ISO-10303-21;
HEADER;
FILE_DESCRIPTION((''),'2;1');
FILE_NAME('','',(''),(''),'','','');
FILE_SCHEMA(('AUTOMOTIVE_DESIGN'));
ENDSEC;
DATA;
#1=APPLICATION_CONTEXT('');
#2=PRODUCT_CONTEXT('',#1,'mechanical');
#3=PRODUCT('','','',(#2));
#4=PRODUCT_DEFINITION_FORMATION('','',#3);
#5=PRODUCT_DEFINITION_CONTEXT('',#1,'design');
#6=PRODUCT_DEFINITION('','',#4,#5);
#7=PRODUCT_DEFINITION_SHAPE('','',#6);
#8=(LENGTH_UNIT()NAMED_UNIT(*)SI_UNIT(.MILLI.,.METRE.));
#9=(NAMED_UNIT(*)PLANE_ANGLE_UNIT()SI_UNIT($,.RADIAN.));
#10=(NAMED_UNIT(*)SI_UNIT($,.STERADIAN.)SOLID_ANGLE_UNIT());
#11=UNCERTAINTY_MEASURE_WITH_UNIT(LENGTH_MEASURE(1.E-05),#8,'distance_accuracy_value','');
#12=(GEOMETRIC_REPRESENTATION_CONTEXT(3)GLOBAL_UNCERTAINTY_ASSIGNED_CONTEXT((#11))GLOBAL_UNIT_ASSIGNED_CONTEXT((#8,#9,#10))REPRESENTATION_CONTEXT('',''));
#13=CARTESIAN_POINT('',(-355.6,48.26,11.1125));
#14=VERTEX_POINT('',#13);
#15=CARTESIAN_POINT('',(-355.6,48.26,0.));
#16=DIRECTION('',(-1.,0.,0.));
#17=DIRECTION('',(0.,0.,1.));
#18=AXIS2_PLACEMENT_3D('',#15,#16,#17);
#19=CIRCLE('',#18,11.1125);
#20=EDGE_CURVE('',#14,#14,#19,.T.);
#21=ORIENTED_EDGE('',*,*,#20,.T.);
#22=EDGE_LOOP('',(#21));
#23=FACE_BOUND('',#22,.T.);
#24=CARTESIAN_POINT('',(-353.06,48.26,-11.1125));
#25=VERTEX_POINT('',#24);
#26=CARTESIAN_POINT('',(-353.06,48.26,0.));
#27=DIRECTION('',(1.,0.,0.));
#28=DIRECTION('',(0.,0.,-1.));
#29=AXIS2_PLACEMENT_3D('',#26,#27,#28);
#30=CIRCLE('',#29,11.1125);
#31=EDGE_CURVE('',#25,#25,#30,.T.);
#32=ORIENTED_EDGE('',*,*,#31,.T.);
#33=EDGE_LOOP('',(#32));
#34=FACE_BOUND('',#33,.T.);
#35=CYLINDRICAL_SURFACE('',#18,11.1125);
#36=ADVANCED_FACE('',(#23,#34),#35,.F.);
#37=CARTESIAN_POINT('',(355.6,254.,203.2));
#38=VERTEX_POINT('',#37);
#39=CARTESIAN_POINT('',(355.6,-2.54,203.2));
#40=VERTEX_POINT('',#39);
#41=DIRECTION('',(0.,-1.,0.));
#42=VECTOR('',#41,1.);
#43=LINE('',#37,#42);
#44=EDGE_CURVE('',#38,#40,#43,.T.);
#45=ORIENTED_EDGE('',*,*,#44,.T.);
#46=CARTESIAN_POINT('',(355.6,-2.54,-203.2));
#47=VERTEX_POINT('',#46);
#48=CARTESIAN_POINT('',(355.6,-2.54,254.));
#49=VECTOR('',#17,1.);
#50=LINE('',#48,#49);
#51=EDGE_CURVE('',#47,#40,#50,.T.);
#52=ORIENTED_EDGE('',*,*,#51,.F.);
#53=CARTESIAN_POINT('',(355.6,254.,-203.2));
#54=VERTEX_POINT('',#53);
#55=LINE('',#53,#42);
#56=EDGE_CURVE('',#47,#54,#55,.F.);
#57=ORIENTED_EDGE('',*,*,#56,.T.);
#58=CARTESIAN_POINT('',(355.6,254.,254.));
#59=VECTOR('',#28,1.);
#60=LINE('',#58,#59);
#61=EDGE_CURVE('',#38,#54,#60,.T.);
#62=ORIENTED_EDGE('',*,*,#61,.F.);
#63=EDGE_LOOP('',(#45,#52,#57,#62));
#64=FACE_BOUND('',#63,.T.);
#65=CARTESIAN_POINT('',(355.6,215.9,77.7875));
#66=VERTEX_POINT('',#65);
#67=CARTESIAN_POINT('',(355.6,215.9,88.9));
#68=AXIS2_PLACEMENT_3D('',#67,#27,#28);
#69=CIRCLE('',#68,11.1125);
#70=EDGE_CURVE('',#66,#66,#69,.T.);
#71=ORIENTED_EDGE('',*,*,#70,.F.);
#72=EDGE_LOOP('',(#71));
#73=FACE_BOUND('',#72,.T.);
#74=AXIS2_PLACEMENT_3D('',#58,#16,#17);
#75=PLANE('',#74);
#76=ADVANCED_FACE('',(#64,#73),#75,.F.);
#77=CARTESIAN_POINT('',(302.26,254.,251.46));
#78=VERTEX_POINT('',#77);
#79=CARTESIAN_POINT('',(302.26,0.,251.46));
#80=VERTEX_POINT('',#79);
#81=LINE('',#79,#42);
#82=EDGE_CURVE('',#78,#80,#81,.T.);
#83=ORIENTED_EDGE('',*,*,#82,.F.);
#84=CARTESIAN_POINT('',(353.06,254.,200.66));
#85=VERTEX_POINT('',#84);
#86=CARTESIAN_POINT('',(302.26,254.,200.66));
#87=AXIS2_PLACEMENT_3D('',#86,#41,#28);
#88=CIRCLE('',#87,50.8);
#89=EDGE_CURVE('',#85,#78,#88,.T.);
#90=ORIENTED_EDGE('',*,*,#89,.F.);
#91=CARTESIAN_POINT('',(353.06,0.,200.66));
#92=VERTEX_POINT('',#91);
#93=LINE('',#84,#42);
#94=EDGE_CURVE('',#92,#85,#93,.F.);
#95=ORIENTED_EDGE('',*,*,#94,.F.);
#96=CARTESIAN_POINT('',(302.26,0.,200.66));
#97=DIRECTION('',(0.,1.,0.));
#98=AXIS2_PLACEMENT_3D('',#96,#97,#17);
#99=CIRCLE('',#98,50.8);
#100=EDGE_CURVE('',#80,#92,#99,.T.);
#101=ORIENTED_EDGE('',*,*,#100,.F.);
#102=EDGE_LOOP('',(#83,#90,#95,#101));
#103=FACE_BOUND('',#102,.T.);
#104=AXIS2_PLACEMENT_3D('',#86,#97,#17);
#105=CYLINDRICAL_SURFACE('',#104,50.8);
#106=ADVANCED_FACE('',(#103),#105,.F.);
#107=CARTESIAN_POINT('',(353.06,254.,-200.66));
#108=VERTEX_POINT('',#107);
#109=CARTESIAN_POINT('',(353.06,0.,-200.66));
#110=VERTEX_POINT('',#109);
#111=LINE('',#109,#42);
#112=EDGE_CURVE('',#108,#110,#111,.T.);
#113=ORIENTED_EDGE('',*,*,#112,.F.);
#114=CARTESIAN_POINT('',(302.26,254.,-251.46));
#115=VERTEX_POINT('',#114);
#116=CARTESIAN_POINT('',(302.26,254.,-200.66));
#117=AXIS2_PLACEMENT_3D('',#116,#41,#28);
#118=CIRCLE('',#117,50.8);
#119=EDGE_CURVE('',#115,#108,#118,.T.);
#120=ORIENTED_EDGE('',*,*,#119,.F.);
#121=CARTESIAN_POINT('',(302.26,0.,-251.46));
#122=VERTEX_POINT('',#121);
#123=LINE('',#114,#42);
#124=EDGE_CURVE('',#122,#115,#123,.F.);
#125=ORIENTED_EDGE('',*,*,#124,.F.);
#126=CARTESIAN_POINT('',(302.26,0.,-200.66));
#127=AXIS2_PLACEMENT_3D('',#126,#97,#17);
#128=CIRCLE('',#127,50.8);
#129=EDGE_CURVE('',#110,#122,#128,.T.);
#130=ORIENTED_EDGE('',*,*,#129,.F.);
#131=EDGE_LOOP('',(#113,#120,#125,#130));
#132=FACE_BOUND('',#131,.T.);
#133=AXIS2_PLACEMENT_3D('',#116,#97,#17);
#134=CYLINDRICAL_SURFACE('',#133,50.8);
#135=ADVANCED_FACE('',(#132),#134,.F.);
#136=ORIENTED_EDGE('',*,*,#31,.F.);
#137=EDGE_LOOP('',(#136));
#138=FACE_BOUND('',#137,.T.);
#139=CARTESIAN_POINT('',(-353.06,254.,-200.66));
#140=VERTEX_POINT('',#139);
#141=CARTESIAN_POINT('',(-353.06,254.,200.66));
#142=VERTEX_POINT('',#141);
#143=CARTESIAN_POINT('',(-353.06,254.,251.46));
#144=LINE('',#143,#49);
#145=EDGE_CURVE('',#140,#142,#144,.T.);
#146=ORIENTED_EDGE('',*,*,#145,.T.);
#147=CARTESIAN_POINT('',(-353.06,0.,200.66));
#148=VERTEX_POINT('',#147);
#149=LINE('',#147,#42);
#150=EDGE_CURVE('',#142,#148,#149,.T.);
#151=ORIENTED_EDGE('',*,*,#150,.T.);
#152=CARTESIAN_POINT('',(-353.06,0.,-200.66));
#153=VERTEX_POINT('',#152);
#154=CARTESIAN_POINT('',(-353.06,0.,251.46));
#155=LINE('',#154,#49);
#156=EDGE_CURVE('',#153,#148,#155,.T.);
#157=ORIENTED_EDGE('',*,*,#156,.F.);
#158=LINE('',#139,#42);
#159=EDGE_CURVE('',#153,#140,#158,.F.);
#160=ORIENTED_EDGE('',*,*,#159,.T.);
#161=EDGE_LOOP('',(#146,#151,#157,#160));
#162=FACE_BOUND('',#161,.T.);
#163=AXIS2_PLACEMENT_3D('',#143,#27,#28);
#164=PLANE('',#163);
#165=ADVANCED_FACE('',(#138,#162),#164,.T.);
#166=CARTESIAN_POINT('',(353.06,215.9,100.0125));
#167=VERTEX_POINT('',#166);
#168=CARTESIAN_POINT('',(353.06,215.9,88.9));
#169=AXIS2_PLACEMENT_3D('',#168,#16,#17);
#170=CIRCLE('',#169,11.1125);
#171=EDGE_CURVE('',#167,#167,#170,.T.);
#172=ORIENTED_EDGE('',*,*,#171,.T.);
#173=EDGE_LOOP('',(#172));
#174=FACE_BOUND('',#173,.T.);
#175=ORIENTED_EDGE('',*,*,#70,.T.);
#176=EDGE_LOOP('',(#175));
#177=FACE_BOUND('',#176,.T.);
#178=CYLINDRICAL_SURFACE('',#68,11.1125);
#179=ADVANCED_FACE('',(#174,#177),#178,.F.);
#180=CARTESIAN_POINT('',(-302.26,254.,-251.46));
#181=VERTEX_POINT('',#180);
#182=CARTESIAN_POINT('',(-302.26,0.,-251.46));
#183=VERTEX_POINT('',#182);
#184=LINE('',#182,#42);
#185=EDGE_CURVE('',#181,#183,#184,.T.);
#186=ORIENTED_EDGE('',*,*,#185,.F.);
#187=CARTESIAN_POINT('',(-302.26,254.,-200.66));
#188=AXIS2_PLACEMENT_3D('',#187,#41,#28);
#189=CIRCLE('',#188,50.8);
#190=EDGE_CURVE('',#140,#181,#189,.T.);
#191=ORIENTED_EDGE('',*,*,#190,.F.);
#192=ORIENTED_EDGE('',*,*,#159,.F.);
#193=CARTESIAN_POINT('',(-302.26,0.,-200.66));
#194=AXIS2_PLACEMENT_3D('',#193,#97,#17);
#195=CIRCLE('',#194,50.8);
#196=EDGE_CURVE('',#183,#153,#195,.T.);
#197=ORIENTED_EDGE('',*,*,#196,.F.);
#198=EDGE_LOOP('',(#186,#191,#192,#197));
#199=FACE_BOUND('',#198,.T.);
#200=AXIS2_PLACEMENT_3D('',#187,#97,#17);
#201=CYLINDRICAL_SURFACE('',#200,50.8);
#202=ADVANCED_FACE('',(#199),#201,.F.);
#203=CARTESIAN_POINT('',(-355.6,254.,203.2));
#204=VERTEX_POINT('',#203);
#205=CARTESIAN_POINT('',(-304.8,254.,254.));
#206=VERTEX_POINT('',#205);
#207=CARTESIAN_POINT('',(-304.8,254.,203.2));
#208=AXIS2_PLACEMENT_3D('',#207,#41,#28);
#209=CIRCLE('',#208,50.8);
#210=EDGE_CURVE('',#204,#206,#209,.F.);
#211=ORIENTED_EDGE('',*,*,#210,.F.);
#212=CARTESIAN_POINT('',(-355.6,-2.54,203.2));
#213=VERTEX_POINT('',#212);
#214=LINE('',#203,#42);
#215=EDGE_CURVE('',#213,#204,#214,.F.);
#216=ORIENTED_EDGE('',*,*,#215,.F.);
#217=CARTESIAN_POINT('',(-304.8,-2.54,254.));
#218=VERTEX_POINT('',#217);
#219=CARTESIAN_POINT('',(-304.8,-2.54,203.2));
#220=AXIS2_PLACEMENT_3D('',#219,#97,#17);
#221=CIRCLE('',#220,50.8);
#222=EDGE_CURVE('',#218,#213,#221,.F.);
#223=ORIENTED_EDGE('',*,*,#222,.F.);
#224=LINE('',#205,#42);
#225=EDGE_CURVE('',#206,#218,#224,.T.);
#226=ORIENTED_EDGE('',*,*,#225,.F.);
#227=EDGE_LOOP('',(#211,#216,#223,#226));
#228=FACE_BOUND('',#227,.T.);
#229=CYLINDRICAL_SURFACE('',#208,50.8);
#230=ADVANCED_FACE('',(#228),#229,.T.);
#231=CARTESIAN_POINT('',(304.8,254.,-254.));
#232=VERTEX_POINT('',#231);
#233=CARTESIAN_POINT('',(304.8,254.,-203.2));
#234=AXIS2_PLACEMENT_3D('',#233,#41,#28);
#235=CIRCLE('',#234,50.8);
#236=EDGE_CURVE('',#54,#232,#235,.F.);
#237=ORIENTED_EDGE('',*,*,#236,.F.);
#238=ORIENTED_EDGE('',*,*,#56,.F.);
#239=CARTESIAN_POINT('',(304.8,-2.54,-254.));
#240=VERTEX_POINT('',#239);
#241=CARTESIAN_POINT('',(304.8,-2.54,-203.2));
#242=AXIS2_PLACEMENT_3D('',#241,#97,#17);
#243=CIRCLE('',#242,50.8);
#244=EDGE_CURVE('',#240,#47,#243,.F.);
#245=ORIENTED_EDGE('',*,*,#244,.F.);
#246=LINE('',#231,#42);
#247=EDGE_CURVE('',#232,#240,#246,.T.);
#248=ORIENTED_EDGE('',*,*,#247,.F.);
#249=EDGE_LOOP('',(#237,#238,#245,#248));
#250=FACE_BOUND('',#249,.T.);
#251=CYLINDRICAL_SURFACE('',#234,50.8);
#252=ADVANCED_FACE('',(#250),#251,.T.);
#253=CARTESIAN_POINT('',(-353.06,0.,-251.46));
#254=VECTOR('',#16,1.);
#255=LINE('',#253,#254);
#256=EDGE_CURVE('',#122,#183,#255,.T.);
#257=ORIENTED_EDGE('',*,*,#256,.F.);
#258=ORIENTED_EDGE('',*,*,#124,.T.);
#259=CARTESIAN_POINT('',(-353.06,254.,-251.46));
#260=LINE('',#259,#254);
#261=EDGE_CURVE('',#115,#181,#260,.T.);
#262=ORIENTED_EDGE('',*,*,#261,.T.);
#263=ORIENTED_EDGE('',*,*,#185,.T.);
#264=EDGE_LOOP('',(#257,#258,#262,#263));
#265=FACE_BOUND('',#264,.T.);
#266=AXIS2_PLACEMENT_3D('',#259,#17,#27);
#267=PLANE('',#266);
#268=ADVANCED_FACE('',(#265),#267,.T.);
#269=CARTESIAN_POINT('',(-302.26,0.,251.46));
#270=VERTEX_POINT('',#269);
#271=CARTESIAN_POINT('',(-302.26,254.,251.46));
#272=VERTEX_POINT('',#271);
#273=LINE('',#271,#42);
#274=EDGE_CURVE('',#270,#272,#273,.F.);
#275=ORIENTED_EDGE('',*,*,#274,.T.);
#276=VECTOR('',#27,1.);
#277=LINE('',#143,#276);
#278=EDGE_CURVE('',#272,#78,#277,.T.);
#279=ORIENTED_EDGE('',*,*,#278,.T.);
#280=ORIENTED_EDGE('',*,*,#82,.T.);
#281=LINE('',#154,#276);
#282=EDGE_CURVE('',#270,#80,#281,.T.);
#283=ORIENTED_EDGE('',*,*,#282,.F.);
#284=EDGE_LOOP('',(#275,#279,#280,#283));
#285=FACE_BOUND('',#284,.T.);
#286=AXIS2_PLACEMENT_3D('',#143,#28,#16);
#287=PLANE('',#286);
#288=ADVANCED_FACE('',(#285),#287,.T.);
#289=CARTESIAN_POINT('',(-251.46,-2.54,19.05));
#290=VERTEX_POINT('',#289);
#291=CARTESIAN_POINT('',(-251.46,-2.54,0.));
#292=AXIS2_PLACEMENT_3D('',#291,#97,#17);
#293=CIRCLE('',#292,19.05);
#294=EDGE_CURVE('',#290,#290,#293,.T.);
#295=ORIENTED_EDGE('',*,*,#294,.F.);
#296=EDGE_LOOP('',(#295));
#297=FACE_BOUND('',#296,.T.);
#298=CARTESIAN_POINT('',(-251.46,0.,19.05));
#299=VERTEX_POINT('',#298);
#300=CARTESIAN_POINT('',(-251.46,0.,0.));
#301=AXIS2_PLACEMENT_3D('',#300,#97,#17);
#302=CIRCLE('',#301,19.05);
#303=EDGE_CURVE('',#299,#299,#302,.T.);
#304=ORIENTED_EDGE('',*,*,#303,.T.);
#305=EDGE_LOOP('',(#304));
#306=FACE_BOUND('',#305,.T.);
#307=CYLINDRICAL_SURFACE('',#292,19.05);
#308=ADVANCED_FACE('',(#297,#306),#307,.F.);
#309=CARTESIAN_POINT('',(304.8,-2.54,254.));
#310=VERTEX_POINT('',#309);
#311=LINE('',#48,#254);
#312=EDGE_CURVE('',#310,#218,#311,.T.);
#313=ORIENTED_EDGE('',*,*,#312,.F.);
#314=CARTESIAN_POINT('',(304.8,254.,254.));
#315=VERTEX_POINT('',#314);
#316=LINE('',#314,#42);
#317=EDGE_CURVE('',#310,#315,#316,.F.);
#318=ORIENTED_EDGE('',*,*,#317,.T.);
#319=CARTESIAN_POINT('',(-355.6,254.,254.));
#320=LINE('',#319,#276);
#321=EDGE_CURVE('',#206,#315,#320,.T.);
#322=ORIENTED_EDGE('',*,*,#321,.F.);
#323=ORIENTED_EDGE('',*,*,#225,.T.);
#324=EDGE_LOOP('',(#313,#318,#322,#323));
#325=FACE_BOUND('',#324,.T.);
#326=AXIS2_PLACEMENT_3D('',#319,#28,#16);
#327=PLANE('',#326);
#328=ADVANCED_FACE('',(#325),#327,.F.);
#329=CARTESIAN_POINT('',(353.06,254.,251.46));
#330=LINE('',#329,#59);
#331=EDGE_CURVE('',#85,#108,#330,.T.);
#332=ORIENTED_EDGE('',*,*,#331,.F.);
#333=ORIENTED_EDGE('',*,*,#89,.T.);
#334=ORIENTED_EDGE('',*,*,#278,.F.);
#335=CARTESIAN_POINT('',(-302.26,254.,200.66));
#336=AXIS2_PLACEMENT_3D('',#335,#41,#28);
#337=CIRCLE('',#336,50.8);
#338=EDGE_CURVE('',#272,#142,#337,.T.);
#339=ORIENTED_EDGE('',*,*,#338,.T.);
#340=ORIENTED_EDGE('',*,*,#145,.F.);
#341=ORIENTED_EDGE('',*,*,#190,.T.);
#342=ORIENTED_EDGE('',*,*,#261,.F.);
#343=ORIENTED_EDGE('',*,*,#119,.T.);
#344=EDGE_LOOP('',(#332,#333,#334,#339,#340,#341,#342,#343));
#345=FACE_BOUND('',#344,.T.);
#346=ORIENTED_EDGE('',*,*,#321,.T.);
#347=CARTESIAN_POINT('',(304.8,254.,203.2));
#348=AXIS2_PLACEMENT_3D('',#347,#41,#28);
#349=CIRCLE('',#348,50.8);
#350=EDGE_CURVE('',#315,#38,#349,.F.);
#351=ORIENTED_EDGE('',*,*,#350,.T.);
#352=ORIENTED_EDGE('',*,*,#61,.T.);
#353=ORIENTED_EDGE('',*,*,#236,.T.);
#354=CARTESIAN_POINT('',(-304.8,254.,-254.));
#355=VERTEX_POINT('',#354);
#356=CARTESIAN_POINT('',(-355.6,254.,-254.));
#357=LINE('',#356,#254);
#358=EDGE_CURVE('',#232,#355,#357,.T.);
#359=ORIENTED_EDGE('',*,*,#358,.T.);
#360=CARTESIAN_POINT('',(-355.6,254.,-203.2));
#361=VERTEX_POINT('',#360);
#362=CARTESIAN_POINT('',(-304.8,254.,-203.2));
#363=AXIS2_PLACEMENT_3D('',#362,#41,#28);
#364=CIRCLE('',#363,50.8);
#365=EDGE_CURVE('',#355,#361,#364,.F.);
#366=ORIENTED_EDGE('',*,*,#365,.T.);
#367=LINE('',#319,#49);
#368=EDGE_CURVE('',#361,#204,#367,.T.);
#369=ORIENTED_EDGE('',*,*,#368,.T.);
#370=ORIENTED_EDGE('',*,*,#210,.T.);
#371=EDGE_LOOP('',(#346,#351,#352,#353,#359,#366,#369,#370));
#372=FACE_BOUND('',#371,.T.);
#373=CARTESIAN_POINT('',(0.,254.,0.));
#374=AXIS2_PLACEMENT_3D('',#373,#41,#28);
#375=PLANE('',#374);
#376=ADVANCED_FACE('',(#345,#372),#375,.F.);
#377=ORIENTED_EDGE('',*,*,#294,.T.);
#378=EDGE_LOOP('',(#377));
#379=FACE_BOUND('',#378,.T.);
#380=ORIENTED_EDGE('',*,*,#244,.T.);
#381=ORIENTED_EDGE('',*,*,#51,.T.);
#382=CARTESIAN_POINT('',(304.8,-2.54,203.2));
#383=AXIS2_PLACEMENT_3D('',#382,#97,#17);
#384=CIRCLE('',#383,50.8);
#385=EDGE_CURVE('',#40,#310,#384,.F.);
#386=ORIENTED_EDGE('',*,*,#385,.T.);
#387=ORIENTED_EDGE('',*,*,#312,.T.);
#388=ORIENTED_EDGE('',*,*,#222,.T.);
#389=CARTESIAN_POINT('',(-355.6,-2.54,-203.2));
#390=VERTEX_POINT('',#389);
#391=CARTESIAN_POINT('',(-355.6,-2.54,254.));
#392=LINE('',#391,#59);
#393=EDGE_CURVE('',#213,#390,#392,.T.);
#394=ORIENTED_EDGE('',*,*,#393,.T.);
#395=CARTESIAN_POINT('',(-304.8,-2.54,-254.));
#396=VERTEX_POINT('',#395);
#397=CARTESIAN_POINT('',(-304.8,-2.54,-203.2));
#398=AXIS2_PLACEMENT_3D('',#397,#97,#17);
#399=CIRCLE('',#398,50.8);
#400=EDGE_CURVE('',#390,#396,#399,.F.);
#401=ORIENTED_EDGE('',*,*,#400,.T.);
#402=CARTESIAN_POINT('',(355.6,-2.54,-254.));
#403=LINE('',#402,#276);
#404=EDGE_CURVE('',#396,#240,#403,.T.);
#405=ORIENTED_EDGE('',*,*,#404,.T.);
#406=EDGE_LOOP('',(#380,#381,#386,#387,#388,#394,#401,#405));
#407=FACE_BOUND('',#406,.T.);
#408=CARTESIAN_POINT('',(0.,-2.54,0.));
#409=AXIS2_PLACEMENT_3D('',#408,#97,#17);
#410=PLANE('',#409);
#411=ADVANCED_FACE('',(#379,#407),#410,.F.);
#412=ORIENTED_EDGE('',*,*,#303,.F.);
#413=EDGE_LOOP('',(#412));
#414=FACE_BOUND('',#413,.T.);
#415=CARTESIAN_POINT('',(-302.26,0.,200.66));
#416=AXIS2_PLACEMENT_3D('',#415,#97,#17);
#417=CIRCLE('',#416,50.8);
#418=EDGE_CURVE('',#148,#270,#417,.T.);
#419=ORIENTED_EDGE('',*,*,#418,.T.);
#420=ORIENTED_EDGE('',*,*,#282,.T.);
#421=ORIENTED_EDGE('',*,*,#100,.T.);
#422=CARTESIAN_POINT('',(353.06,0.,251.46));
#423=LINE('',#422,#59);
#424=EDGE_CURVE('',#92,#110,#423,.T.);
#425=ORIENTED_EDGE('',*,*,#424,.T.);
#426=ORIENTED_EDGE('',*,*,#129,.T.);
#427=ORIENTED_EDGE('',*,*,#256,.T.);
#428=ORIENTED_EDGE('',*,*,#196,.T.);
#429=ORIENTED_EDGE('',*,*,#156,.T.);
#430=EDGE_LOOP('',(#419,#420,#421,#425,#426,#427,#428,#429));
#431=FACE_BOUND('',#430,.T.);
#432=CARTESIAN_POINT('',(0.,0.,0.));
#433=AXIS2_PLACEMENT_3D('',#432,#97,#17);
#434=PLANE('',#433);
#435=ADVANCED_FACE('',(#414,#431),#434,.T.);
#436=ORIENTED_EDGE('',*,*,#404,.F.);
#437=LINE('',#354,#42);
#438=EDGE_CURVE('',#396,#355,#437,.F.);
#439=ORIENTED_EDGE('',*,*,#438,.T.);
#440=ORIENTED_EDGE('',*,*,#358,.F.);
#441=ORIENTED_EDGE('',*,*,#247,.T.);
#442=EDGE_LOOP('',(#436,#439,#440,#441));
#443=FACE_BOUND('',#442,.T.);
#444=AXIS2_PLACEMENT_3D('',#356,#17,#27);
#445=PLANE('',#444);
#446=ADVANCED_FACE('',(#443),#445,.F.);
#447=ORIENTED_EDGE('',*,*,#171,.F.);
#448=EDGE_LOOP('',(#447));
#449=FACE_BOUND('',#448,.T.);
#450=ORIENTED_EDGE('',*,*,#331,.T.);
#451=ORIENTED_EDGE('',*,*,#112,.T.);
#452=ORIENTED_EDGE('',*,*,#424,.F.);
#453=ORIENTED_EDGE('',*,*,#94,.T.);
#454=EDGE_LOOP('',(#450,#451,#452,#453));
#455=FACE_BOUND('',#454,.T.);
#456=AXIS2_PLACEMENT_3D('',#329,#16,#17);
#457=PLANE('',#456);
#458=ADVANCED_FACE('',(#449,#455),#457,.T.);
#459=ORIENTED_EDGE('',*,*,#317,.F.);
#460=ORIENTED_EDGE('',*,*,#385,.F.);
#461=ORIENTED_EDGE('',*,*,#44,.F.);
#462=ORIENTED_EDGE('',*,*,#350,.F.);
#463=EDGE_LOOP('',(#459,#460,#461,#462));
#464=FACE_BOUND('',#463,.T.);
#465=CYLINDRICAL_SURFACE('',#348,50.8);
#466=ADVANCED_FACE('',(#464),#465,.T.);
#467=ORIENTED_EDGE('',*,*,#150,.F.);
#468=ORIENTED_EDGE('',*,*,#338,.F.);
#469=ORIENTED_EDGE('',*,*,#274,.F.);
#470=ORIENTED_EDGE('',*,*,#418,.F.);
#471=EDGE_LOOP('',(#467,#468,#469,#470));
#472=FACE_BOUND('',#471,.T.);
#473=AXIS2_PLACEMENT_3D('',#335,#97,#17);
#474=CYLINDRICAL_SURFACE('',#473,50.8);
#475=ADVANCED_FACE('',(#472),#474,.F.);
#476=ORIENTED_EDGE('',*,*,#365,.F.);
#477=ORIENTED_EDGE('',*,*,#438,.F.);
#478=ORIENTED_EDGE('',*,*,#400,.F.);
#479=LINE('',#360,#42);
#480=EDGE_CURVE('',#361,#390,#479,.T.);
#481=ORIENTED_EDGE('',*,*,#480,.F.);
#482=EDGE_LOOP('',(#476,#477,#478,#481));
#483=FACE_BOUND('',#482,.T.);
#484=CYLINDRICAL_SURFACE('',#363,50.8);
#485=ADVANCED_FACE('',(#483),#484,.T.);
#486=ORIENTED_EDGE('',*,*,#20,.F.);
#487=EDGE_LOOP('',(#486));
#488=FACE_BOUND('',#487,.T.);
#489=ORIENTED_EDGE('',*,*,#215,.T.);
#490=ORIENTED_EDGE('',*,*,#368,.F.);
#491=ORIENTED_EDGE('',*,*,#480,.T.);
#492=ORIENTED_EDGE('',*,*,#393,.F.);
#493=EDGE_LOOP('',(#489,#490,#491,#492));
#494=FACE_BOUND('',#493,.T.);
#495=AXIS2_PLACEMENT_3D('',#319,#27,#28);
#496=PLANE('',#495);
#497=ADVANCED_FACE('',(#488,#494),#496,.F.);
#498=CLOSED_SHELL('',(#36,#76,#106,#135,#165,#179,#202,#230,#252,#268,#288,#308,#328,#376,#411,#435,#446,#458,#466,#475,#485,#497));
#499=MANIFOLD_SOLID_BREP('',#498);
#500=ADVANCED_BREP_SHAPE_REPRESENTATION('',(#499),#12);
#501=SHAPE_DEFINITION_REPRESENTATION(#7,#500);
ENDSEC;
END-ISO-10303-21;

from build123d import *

# Parameters (mm, degrees)
SKETCH1_W                        = 711.2
SKETCH1_H                        = 508
SKETCH1_W_2                      = 706.12
SKETCH1_H_2                      = 502.92
BOSS_EXTRUDE1_DEPTH              = 254
SKETCH2_W                        = 711.2
SKETCH2_H                        = 508
BOSS_EXTRUDE2_DEPTH              = 2.54
FILLET1_R                        = 50.8
SKETCH5_R                        = 19.05
CUT_EXTRUDE1_DEPTH               = 2.54
F_7_8_0_875_DIAMETER_HOLE1_D     = 22.225
F_7_8_0_875_DIAMETER_HOLE1_DEPTH = 2.54
F_7_8_0_875_DIAMETER_HOLE2_D     = 22.225
F_7_8_0_875_DIAMETER_HOLE2_DEPTH = 2.54


with BuildPart() as part:
    # Sketch1 → Boss-Extrude1 (new body)
    with BuildSketch(Plane(origin=(0, 0, 0), x_dir=(1, 0, 0), z_dir=(0, 1, 0))):
        Rectangle(SKETCH1_W, SKETCH1_H)
        Rectangle(SKETCH1_W_2, SKETCH1_H_2, mode=Mode.SUBTRACT)
    extrude(amount=BOSS_EXTRUDE1_DEPTH)

    # Sketch2 → Boss-Extrude2 (add)
    with BuildSketch(Plane.XZ):
        Rectangle(SKETCH2_W, SKETCH2_H)
    extrude(amount=BOSS_EXTRUDE2_DEPTH)

    # Fillet1
    fillet1_edges = [part.edges().sort_by_distance(p)[0] for p in [
        (353.06, 127, 251.46),
        (353.06, 127, -251.46),
        (-353.06, 127, -251.46),
        (-353.06, 127, 251.46),
        (355.6, 125.73, 254),
        (-355.6, 125.73, 254),
        (-355.6, 125.73, -254),
        (355.6, 125.73, -254),
    ]]
    fillet(fillet1_edges, radius=FILLET1_R)

    # Sketch5 → Cut-Extrude1 (cut)
    with BuildSketch(Plane(origin=(0, 0, 0), x_dir=(1, 0, 0), z_dir=(0, 1, 0))):
        with Locations((-251.46, 0)):
            Circle(SKETCH5_R)
    extrude(amount=-CUT_EXTRUDE1_DEPTH, mode=Mode.SUBTRACT)

    # 7/8 (0.875) Diameter Hole1
    with Locations(Plane.ZY.offset(355.6)):
        with Locations((0, 48.26)):
            Hole(F_7_8_0_875_DIAMETER_HOLE1_D / 2, depth=F_7_8_0_875_DIAMETER_HOLE1_DEPTH)

    # 7/8 (0.875) Diameter Hole2
    with Locations(Plane(origin=(355.6, 0, 0), x_dir=(0, 0, -1), z_dir=(1, 0, 0))):
        with Locations((-88.9, 215.9)):
            Hole(F_7_8_0_875_DIAMETER_HOLE2_D / 2, depth=F_7_8_0_875_DIAMETER_HOLE2_DEPTH)


solid = part.part
